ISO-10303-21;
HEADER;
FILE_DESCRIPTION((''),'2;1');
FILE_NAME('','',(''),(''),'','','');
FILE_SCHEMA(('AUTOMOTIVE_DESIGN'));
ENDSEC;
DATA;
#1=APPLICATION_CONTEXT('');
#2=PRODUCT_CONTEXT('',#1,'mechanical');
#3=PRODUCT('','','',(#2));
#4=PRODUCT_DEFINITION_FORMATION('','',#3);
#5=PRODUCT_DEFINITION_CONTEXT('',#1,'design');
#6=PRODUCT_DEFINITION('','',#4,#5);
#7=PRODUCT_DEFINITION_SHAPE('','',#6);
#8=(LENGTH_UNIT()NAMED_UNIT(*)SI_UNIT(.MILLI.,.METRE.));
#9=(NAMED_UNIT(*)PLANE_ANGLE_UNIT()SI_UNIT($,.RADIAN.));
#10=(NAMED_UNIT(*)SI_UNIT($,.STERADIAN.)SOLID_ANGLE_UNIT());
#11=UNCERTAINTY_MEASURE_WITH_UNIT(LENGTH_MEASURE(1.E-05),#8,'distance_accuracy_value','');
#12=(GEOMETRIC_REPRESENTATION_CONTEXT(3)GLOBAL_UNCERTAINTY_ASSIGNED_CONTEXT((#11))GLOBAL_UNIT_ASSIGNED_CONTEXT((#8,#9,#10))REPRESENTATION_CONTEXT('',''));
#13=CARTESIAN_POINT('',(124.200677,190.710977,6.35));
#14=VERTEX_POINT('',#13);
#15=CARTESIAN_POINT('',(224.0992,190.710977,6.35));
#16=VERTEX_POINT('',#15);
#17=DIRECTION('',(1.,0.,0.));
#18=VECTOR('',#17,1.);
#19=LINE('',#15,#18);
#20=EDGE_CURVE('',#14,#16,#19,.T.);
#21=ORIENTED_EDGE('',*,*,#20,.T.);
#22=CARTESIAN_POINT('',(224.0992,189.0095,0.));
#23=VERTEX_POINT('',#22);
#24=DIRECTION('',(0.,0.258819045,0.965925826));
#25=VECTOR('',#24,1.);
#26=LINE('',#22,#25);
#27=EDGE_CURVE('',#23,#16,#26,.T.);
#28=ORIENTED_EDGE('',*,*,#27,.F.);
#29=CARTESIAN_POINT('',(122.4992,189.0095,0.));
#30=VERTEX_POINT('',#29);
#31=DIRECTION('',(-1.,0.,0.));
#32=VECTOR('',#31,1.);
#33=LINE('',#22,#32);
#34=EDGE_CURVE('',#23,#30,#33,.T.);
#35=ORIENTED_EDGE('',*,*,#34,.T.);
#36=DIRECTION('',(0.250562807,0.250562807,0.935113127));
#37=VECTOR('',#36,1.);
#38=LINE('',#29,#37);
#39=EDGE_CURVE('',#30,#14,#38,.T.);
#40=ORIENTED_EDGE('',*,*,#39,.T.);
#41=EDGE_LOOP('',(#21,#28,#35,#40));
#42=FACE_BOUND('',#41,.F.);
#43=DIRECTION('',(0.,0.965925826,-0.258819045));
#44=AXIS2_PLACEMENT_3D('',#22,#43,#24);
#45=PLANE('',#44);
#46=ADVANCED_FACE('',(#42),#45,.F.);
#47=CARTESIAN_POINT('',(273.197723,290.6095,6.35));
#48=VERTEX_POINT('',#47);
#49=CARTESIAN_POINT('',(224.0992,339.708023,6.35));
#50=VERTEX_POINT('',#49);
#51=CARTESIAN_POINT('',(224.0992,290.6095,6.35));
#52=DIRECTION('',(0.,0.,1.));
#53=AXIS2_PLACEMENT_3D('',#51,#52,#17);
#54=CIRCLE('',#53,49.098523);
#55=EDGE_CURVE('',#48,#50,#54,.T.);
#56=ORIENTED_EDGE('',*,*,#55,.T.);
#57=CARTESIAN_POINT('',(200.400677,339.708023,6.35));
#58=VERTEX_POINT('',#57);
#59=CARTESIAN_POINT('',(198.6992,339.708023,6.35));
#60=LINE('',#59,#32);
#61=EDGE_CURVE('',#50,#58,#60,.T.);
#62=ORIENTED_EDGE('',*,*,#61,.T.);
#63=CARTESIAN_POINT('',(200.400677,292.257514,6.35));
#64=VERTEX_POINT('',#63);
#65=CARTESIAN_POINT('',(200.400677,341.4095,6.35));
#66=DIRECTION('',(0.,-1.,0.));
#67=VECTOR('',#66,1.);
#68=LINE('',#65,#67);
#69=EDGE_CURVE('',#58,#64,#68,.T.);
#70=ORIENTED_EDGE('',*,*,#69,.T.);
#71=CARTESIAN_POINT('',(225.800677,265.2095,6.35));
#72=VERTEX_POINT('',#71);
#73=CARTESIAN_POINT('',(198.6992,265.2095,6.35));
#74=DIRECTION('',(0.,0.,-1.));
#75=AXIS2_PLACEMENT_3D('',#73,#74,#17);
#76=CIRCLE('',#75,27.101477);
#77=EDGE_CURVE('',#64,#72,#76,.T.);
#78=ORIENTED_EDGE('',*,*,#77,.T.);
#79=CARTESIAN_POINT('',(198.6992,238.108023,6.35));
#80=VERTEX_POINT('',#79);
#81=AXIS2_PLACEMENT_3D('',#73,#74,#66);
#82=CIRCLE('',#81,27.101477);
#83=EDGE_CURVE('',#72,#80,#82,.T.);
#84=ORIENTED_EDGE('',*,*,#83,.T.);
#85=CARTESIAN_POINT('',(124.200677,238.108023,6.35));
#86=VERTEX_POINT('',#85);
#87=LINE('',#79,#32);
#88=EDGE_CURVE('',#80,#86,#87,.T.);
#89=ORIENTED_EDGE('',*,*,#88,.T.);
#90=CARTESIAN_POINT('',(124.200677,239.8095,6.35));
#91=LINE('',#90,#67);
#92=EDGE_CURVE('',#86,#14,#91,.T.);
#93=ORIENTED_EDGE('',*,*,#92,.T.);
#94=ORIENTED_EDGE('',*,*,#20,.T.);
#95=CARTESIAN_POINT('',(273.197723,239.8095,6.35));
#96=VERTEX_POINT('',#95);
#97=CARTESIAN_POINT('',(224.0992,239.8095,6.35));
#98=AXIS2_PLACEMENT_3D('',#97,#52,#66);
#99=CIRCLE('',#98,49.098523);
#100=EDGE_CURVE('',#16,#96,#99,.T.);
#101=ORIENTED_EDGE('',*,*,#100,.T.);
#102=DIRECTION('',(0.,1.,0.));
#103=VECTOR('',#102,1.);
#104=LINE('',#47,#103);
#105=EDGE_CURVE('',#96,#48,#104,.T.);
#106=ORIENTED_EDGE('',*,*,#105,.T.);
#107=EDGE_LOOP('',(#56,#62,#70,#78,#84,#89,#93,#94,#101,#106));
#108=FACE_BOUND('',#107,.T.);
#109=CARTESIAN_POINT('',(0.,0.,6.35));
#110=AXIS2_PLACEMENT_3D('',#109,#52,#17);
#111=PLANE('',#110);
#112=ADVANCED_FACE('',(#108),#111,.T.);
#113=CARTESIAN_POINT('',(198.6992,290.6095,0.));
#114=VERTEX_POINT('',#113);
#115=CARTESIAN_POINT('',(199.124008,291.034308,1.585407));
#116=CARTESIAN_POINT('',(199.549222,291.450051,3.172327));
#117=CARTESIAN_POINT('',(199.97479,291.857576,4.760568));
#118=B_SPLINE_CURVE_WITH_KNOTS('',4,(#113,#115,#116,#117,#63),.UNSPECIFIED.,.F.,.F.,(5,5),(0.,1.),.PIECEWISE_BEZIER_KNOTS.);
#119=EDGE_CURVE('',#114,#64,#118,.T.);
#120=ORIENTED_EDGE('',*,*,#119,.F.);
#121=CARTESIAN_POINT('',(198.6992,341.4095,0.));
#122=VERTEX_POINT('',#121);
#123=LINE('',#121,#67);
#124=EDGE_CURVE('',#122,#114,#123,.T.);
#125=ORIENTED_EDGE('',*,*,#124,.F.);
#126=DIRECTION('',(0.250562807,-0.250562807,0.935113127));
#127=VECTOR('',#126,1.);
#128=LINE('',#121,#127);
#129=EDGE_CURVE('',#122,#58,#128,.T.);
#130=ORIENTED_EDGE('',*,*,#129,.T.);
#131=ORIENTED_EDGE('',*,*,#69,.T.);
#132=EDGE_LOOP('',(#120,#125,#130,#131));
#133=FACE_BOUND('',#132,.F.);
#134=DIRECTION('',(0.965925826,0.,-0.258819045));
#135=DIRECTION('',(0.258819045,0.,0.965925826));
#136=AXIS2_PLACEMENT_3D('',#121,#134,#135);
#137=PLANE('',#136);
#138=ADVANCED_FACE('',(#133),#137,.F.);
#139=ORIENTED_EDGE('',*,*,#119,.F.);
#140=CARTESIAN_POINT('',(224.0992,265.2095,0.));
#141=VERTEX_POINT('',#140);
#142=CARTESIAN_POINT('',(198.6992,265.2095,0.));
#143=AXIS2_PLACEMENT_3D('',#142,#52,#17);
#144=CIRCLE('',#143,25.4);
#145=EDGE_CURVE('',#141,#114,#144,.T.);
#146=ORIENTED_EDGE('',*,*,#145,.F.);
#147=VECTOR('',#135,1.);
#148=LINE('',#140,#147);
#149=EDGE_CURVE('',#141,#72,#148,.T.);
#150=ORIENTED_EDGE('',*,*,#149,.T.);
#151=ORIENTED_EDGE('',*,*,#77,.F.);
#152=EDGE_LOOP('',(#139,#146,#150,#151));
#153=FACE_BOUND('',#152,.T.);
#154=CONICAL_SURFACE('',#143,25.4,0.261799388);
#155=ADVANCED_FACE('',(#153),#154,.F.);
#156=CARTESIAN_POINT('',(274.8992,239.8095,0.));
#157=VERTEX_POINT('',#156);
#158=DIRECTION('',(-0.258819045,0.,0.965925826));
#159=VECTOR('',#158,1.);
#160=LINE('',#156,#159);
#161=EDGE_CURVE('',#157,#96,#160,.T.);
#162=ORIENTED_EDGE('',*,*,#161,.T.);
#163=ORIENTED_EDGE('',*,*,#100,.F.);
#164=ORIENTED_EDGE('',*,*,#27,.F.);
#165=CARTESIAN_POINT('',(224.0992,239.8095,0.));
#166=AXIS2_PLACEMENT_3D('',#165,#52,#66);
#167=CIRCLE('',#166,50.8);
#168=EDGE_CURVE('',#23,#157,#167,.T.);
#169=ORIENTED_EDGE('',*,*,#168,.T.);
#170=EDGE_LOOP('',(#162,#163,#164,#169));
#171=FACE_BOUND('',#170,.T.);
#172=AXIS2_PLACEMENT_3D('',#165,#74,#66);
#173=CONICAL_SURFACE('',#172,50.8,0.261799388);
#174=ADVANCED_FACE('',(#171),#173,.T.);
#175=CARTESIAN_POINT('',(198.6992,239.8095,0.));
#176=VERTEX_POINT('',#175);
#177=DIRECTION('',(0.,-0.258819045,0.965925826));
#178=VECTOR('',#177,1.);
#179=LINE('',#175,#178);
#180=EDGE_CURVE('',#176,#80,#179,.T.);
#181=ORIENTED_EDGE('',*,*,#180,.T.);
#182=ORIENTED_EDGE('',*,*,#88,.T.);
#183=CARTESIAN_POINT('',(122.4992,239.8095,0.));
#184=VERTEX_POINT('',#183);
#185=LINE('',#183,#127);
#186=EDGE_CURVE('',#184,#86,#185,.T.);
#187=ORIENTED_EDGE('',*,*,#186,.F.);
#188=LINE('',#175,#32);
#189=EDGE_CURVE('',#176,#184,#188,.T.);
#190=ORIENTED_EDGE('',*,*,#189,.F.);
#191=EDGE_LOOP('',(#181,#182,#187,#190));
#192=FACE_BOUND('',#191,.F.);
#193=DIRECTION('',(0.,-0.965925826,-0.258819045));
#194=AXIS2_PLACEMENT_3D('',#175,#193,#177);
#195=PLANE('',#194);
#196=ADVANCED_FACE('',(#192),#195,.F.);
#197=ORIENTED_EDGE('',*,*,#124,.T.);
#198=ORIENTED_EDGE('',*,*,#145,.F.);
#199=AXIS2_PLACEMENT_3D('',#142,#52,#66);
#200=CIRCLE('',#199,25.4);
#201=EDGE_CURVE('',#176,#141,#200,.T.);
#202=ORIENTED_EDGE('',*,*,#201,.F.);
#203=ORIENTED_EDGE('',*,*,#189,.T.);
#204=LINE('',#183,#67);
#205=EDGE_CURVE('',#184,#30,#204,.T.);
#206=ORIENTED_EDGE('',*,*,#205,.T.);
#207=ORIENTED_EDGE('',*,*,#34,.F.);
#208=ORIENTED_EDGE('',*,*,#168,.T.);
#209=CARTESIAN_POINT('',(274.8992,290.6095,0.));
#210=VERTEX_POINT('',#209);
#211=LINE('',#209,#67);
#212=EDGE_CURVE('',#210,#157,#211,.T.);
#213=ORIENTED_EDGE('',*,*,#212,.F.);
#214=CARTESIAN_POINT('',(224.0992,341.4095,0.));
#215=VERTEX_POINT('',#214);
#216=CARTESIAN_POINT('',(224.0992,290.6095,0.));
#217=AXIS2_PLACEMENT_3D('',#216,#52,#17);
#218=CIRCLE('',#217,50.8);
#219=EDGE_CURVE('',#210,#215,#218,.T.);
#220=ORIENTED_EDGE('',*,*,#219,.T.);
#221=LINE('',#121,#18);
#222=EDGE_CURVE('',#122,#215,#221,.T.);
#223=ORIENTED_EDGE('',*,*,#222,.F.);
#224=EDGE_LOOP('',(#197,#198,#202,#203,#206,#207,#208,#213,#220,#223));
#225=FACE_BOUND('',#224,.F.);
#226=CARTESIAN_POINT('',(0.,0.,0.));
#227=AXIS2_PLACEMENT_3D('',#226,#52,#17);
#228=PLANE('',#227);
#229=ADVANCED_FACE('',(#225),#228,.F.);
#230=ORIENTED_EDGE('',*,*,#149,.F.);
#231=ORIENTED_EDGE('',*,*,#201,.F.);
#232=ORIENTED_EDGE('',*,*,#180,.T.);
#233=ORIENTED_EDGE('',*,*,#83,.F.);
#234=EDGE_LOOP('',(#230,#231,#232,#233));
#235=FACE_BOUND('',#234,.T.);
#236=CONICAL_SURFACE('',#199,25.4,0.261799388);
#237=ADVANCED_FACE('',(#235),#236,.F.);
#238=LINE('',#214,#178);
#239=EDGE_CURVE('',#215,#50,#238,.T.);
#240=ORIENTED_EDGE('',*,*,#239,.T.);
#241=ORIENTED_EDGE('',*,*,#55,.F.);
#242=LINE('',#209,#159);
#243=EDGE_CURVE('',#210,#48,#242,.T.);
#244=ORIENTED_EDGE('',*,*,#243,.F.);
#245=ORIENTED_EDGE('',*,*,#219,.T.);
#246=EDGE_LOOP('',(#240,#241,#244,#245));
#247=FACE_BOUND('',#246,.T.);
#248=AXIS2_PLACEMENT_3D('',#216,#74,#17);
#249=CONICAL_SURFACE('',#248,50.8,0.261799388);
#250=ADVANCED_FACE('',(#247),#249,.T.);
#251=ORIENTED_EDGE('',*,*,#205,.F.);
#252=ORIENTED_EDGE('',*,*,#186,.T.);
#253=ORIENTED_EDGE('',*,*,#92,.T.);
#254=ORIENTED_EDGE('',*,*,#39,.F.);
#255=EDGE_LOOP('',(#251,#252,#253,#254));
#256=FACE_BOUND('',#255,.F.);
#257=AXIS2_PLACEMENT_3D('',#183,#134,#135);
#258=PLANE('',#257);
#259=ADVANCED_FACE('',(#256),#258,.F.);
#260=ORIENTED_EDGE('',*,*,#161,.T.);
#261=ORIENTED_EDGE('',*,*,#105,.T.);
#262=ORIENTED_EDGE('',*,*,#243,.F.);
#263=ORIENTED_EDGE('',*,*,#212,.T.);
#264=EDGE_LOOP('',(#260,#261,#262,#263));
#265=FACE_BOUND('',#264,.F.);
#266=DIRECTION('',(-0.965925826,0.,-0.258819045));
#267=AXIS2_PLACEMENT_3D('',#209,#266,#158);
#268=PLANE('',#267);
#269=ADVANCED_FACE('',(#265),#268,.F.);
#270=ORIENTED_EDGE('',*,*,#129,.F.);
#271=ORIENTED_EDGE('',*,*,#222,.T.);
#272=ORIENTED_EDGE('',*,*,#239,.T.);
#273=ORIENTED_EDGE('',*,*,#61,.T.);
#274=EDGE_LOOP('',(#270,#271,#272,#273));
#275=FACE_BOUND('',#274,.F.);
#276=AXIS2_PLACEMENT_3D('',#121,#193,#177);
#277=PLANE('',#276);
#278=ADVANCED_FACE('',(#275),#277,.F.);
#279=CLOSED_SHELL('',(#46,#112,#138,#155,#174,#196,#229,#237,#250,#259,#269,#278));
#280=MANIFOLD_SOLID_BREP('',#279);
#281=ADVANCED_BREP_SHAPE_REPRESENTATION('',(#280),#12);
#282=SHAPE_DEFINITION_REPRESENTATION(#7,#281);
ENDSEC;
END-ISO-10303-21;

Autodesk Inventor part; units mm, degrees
ref_plane "YZ Plane" through (0, 0, 0) normal (1, 0, 0) x (0, 1, 0)
ref_plane "XZ Plane" through (0, 0, 0) normal (0, 1, 0) x (-1, 0, 0)
ref_plane "XY Plane" through (0, 0, 0) normal (0, 0, 1) x (1, 0, 0)
sketch "Sketch1" plane through (0, 0, 0) normal (0, 0, 1) x (1, 0, 0)
  line L0 (198.6992, 341.4095) -> (224.0992, 341.4095)
  line L1 (274.8992, 290.6095) -> (274.8992, 239.8095)
  line L2 (224.0992, 189.0095) -> (122.4992, 189.0095)
  line L3 (198.4116, 290.6095) -> (198.6992, 290.6095)
  line L4 (224.0992, 265.2095) -> (224.0992, 265.2095)
  line L5 (198.6992, 239.8095) -> (122.4992, 239.8095)
  line L6 (198.6992, 341.4095) -> (198.6992, 290.6095)
  line L7 (122.4992, 239.8095) -> (122.4992, 189.0095)
  arc A0 (224.0992, 265.2095) -> (198.6992, 290.6095) centre (198.6992, 265.2095) ccw
  arc A1 (198.6992, 239.8095) -> (224.0992, 265.2095) centre (198.6992, 265.2095) ccw
  arc A2 (274.8992, 290.6095) -> (224.0992, 341.4095) centre (224.0992, 290.6095) ccw
  arc A3 (224.0992, 189.0095) -> (274.8992, 239.8095) centre (224.0992, 239.8095) ccw
  circle A4 centre (143.7935, 214.4095) radius 12.7
  point P0 (0, 0)
  point P1 (274.8992, 341.4095)
  point P2 (274.8992, 189.0095)
  point P3 (274.8992, 265.2095)
  dimension "d0" = 50.8
  dimension "d1" = 50.8
  dimension "d2" = 50.8
  dimension "d3" = 50.8
  dimension "d6" = 152.4
  dimension "d7" = 25.4
  dimension "d8" = 25.4
  dimension "d9" = 50.8
  dimension "d12" = 25.4
extrude "Extrusion1" add sketch "Sketch1" along normal blind 6.35 draft -15 contours L0 A2 L1 A3 L2 L7 L5 A1 A0 L6 | A4
properties part number "hook"
